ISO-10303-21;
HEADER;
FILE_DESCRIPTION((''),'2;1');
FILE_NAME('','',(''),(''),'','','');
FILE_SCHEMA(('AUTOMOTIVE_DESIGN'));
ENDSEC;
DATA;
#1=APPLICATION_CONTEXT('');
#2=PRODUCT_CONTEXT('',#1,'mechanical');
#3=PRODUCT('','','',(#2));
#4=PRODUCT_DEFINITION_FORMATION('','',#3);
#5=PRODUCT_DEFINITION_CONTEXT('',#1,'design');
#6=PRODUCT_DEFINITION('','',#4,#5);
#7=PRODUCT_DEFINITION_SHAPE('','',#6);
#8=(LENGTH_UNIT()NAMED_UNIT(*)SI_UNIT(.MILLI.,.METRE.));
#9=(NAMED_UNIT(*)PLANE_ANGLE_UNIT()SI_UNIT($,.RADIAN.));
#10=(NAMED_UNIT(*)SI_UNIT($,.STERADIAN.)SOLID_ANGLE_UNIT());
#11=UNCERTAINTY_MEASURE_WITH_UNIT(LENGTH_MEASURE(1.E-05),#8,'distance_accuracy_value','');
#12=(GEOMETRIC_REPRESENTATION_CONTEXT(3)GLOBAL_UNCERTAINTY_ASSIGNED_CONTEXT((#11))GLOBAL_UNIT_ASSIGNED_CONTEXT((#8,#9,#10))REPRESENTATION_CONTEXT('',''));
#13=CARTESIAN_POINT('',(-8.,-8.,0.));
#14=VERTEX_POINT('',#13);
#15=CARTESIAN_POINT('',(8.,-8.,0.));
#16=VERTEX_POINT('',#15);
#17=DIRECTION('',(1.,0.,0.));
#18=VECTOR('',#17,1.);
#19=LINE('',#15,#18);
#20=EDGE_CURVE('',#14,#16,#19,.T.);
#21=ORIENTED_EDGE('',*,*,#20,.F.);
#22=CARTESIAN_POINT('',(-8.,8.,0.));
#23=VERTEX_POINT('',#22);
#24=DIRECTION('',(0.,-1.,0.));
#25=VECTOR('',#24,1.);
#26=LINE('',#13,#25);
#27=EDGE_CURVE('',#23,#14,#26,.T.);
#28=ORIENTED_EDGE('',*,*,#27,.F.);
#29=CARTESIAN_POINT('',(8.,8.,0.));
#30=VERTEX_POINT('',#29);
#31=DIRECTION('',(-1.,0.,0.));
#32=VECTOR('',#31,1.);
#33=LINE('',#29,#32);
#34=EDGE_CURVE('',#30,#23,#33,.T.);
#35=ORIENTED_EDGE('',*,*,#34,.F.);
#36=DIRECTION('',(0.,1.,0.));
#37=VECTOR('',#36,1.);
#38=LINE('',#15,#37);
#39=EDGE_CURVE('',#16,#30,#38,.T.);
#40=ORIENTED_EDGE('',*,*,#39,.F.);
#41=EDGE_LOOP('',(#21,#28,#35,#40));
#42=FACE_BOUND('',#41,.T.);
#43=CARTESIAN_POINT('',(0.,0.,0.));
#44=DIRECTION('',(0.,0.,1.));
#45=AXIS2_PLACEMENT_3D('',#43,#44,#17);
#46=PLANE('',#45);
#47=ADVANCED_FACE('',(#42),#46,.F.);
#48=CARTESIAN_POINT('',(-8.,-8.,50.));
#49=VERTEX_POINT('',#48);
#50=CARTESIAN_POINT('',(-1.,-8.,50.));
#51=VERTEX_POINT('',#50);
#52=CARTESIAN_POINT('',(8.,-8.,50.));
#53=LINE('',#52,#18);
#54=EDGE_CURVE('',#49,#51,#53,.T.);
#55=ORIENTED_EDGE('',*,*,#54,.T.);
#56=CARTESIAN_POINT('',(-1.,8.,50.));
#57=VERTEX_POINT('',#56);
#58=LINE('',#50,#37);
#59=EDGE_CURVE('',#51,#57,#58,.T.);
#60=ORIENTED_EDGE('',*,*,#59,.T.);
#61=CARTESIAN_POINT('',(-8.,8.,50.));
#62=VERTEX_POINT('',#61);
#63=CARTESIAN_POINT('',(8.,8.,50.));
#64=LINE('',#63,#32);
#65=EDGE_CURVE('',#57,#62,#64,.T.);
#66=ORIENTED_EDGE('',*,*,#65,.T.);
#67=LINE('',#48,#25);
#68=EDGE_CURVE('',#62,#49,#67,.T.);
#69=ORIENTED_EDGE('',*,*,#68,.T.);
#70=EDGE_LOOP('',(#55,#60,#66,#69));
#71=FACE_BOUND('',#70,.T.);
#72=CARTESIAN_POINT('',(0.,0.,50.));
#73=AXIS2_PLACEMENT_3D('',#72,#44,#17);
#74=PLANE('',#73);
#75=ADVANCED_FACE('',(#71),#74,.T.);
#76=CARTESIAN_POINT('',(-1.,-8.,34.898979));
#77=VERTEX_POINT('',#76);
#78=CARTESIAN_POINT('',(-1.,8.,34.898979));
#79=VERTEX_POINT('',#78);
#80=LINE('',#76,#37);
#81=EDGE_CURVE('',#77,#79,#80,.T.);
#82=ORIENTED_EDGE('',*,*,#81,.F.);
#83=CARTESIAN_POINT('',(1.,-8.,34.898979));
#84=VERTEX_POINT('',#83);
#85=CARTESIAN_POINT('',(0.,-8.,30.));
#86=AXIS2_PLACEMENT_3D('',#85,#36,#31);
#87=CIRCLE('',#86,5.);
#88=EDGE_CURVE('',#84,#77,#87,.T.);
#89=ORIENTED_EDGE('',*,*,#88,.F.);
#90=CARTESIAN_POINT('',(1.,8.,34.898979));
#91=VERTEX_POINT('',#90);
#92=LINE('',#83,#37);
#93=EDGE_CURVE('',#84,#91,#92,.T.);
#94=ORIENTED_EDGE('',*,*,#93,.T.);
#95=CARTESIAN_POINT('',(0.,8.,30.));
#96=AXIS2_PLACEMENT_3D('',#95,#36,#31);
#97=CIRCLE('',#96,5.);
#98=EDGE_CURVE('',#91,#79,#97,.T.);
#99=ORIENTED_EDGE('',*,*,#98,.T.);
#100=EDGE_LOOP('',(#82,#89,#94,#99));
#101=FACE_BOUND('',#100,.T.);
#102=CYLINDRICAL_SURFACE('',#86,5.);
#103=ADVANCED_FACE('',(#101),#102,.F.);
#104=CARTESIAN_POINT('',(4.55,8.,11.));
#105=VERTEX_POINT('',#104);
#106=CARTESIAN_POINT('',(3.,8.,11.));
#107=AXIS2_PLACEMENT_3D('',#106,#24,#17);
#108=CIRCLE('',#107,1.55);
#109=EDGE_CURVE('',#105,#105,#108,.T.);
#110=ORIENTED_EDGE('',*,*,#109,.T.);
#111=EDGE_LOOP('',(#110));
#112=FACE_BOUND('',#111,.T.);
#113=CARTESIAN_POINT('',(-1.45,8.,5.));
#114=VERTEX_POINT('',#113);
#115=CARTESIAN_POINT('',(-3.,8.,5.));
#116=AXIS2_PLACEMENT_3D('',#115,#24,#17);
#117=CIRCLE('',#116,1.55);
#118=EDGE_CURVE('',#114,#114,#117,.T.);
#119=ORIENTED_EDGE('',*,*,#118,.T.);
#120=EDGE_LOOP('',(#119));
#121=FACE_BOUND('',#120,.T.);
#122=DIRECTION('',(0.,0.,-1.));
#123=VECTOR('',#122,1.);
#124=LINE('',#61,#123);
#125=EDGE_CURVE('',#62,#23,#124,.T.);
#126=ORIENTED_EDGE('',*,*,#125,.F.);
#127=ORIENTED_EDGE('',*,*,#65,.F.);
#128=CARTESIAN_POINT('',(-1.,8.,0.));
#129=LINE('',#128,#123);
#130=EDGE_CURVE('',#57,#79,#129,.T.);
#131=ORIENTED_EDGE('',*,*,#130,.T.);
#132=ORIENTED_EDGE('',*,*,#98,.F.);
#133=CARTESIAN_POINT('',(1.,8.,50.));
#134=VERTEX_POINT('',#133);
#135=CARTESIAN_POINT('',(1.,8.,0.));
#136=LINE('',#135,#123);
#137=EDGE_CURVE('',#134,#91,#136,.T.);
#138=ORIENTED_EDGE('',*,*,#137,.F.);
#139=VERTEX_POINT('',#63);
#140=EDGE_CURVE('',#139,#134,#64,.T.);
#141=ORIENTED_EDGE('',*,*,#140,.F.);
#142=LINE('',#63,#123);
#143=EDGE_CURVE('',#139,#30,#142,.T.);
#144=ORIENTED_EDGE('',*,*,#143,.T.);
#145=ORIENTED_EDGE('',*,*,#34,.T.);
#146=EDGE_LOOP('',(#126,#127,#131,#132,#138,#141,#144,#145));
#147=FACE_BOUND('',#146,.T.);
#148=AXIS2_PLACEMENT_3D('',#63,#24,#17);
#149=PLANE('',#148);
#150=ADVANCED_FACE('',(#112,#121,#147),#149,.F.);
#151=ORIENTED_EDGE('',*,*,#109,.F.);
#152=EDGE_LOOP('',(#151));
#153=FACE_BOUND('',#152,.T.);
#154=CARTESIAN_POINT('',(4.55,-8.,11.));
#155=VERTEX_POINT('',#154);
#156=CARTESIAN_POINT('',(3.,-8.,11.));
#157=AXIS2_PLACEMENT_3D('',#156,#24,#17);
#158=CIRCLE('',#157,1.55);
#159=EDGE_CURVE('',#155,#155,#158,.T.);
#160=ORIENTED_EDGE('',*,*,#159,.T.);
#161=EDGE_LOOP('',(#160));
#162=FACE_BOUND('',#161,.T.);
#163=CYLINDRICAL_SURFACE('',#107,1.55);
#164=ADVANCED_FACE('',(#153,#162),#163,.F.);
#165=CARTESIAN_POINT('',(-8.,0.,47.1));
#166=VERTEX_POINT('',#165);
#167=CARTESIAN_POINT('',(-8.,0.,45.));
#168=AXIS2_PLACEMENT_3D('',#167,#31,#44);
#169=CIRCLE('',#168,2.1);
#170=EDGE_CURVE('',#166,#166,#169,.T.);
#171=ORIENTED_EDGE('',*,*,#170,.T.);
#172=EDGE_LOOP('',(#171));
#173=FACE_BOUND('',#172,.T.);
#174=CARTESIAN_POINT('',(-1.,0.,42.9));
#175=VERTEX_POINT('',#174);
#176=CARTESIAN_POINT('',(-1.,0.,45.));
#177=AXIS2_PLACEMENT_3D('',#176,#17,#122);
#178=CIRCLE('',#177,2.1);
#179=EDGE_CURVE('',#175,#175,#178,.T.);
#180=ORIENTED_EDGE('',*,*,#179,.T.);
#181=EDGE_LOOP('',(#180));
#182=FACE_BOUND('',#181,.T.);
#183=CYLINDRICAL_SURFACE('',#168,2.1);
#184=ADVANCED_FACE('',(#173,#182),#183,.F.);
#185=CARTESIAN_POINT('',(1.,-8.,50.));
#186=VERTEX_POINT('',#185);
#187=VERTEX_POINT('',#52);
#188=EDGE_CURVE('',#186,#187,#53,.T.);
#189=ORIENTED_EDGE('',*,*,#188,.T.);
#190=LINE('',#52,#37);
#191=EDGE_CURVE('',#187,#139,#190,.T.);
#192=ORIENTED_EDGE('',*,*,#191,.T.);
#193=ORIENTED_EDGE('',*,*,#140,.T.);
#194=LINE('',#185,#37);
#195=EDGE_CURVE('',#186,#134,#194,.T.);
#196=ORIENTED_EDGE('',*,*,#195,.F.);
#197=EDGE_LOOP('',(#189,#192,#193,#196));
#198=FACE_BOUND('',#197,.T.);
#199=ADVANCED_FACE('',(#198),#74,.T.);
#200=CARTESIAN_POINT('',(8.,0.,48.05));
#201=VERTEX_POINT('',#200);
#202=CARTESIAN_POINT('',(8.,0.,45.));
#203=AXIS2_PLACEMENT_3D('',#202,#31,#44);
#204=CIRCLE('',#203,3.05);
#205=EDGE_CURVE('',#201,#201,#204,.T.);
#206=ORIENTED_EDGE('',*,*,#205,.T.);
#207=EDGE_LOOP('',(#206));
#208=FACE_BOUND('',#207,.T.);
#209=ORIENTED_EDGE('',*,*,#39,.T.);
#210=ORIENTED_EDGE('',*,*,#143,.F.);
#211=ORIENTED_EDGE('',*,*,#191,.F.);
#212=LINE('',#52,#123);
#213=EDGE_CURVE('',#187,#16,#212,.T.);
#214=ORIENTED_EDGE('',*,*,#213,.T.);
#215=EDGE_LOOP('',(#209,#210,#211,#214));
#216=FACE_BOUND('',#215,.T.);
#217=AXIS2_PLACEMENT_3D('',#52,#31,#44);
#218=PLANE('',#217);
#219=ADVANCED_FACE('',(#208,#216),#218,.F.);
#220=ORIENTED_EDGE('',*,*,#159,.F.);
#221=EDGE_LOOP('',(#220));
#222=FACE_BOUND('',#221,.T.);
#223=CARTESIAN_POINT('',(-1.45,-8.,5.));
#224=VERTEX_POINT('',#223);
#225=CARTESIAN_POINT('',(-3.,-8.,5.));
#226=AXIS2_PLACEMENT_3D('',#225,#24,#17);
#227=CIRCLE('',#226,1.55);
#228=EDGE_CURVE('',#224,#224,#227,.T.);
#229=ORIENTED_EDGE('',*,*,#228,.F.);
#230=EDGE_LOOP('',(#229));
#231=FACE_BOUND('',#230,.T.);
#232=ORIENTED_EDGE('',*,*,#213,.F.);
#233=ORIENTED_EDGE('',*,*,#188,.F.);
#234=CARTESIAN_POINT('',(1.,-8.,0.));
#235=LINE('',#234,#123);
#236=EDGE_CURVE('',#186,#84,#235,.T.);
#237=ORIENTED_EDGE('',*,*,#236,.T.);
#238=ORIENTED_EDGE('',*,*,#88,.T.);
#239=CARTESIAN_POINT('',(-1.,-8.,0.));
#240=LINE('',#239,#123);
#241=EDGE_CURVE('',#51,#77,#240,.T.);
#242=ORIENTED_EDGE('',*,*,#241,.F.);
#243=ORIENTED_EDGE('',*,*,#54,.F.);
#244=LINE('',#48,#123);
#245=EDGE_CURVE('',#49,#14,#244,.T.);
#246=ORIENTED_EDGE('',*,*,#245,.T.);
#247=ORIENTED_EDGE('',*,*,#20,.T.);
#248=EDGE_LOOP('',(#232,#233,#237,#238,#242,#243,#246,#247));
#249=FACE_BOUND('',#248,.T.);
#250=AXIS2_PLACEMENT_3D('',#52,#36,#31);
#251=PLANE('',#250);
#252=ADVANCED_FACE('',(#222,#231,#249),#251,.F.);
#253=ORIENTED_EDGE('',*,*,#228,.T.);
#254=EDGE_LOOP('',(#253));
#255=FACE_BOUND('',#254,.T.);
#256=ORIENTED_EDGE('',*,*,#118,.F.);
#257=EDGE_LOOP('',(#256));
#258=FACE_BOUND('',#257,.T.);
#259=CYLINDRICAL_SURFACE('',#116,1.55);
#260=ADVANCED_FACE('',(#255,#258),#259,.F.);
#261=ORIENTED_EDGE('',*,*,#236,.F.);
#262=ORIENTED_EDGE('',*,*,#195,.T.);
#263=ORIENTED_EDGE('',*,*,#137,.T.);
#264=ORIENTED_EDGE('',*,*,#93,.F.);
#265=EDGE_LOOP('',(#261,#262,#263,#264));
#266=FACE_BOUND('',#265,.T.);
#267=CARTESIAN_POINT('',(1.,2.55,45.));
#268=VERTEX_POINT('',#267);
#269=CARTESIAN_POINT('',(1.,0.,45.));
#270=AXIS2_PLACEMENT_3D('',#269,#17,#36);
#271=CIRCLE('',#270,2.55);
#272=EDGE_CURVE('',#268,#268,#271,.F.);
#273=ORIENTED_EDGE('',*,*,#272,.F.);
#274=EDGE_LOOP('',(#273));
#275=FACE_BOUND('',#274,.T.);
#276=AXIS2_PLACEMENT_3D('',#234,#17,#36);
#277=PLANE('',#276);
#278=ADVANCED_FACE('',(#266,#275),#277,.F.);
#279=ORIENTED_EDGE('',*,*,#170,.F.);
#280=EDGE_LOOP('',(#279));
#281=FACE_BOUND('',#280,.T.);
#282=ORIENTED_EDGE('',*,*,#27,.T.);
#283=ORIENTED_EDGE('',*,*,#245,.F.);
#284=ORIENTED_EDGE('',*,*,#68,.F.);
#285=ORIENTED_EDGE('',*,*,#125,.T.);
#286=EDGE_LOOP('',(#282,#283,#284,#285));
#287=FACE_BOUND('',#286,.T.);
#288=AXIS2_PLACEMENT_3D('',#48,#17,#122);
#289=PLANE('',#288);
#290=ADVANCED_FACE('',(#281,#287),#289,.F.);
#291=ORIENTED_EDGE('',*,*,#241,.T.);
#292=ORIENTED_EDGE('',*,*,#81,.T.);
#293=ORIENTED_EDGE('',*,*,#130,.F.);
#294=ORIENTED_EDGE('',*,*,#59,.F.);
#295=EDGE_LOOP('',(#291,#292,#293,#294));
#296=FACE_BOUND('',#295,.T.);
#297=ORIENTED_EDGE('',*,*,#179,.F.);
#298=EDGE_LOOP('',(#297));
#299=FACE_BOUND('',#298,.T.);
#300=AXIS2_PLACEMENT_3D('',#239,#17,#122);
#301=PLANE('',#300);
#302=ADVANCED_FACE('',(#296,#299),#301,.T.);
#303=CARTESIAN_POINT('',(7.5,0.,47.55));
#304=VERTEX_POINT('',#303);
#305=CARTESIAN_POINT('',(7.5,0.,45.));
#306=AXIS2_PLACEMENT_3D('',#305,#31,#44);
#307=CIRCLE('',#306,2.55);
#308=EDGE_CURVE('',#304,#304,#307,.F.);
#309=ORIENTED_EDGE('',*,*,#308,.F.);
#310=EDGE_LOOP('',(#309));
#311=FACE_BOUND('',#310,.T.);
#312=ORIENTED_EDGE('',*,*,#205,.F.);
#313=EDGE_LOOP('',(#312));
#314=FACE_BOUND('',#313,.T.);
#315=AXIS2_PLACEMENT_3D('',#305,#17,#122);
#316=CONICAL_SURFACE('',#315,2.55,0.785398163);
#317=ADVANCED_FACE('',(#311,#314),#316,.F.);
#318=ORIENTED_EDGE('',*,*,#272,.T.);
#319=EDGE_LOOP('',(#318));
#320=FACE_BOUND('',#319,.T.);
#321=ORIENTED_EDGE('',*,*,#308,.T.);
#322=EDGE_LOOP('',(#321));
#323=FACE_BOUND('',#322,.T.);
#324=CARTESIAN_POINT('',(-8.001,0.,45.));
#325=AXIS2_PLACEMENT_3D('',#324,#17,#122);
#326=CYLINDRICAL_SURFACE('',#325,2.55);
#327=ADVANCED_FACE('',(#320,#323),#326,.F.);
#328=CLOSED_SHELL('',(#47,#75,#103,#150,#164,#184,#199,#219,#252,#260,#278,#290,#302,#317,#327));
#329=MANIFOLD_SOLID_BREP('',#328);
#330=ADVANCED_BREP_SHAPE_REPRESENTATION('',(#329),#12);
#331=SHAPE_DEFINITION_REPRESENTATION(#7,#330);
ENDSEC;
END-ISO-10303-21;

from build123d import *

# Parameters (mm, degrees)
SKETCH1_W                              = 16
SKETCH1_H                              = 16
BASE_DEPTH                             = 50
SKETCH2_R                              = 5
RODSLOT_DEPTH                          = 54.103672189
RODSLOTSCREW_REACH                     = 55.104
SKETCH3_R                              = 2.55
CHAMFER1_SIZE                          = 0.5
M5X0_8_TAPPED_HOLE_FOR_ROD_SCREW_D     = 4.2
M5X0_8_TAPPED_HOLE_FOR_ROD_SCREW_DEPTH = 7.6381927
M5X0_8_TAPPED_HOLE_FOR_ROD_SCREW_TIP   = 1.2618073
SKETCH6_R                              = 1.55
SCREWSHOLES_DEPTH                      = 54.103672189


with BuildPart() as part:
    # Sketch1 → Base (new body)
    with BuildSketch(Plane.XY):
        Rectangle(SKETCH1_W, SKETCH1_H)
    extrude(amount=BASE_DEPTH)

    # Sketch2 → RodSlot (cut, through all)
    with BuildSketch(Plane(origin=(0, 8, 0), x_dir=(1, 0, 0), z_dir=(0, 1, 0))):
        with Locations((0, -30)):
            Circle(SKETCH2_R)
        with BuildLine():
            Line((-1, -34.898979486), (-1, -50))
            Line((-1, -50), (1, -50))
            Line((1, -50), (1, -34.898979486))
            ThreePointArc((1, -34.898979486), (0, -35), (-1, -34.898979486))
        make_face()
    extrude(amount=-RODSLOT_DEPTH, mode=Mode.SUBTRACT)

    # Sketch3 → RodSlotScrew (cut, up to next)
    with BuildSketch(Plane(origin=(8, 0, 0), x_dir=(0, 0, -1), z_dir=(1, 0, 0)), mode=Mode.PRIVATE) as rodslotscrew_sk1:
        with Locations((-45, 0)):
            Circle(SKETCH3_R)
    rodslotscrew_tool1 = extrude(rodslotscrew_sk1.sketch, amount=-RODSLOTSCREW_REACH, mode=Mode.PRIVATE) & part.part
    add(rodslotscrew_tool1.solids().sort_by_distance((8, 0, 45))[0], mode=Mode.SUBTRACT)

    # Chamfer1
    chamfer1_edges = [part.edges().sort_by_distance(p)[0] for p in [
        (8, 0, 47.55),
    ]]
    chamfer(chamfer1_edges, length=CHAMFER1_SIZE)

    # M5x0.8 Tapped Hole for rod screw
    with Locations(Plane.ZY.offset(8)):
        with Locations((45, 0)):
            Hole(M5X0_8_TAPPED_HOLE_FOR_ROD_SCREW_D / 2, depth=M5X0_8_TAPPED_HOLE_FOR_ROD_SCREW_DEPTH)
            with Locations((0, 0, -(M5X0_8_TAPPED_HOLE_FOR_ROD_SCREW_DEPTH + M5X0_8_TAPPED_HOLE_FOR_ROD_SCREW_TIP / 2))):  # 118° drill point
                Cone(0, M5X0_8_TAPPED_HOLE_FOR_ROD_SCREW_D / 2, M5X0_8_TAPPED_HOLE_FOR_ROD_SCREW_TIP, mode=Mode.SUBTRACT)

    # Sketch6 → ScrewsHoles (cut, through all)
    with BuildSketch(Plane.XZ.offset(8)):
        with Locations((3, 11)):
            Circle(SKETCH6_R)
        with Locations((-3, 5)):
            Circle(SKETCH6_R)
    extrude(amount=-SCREWSHOLES_DEPTH, mode=Mode.SUBTRACT)


solid = part.part
